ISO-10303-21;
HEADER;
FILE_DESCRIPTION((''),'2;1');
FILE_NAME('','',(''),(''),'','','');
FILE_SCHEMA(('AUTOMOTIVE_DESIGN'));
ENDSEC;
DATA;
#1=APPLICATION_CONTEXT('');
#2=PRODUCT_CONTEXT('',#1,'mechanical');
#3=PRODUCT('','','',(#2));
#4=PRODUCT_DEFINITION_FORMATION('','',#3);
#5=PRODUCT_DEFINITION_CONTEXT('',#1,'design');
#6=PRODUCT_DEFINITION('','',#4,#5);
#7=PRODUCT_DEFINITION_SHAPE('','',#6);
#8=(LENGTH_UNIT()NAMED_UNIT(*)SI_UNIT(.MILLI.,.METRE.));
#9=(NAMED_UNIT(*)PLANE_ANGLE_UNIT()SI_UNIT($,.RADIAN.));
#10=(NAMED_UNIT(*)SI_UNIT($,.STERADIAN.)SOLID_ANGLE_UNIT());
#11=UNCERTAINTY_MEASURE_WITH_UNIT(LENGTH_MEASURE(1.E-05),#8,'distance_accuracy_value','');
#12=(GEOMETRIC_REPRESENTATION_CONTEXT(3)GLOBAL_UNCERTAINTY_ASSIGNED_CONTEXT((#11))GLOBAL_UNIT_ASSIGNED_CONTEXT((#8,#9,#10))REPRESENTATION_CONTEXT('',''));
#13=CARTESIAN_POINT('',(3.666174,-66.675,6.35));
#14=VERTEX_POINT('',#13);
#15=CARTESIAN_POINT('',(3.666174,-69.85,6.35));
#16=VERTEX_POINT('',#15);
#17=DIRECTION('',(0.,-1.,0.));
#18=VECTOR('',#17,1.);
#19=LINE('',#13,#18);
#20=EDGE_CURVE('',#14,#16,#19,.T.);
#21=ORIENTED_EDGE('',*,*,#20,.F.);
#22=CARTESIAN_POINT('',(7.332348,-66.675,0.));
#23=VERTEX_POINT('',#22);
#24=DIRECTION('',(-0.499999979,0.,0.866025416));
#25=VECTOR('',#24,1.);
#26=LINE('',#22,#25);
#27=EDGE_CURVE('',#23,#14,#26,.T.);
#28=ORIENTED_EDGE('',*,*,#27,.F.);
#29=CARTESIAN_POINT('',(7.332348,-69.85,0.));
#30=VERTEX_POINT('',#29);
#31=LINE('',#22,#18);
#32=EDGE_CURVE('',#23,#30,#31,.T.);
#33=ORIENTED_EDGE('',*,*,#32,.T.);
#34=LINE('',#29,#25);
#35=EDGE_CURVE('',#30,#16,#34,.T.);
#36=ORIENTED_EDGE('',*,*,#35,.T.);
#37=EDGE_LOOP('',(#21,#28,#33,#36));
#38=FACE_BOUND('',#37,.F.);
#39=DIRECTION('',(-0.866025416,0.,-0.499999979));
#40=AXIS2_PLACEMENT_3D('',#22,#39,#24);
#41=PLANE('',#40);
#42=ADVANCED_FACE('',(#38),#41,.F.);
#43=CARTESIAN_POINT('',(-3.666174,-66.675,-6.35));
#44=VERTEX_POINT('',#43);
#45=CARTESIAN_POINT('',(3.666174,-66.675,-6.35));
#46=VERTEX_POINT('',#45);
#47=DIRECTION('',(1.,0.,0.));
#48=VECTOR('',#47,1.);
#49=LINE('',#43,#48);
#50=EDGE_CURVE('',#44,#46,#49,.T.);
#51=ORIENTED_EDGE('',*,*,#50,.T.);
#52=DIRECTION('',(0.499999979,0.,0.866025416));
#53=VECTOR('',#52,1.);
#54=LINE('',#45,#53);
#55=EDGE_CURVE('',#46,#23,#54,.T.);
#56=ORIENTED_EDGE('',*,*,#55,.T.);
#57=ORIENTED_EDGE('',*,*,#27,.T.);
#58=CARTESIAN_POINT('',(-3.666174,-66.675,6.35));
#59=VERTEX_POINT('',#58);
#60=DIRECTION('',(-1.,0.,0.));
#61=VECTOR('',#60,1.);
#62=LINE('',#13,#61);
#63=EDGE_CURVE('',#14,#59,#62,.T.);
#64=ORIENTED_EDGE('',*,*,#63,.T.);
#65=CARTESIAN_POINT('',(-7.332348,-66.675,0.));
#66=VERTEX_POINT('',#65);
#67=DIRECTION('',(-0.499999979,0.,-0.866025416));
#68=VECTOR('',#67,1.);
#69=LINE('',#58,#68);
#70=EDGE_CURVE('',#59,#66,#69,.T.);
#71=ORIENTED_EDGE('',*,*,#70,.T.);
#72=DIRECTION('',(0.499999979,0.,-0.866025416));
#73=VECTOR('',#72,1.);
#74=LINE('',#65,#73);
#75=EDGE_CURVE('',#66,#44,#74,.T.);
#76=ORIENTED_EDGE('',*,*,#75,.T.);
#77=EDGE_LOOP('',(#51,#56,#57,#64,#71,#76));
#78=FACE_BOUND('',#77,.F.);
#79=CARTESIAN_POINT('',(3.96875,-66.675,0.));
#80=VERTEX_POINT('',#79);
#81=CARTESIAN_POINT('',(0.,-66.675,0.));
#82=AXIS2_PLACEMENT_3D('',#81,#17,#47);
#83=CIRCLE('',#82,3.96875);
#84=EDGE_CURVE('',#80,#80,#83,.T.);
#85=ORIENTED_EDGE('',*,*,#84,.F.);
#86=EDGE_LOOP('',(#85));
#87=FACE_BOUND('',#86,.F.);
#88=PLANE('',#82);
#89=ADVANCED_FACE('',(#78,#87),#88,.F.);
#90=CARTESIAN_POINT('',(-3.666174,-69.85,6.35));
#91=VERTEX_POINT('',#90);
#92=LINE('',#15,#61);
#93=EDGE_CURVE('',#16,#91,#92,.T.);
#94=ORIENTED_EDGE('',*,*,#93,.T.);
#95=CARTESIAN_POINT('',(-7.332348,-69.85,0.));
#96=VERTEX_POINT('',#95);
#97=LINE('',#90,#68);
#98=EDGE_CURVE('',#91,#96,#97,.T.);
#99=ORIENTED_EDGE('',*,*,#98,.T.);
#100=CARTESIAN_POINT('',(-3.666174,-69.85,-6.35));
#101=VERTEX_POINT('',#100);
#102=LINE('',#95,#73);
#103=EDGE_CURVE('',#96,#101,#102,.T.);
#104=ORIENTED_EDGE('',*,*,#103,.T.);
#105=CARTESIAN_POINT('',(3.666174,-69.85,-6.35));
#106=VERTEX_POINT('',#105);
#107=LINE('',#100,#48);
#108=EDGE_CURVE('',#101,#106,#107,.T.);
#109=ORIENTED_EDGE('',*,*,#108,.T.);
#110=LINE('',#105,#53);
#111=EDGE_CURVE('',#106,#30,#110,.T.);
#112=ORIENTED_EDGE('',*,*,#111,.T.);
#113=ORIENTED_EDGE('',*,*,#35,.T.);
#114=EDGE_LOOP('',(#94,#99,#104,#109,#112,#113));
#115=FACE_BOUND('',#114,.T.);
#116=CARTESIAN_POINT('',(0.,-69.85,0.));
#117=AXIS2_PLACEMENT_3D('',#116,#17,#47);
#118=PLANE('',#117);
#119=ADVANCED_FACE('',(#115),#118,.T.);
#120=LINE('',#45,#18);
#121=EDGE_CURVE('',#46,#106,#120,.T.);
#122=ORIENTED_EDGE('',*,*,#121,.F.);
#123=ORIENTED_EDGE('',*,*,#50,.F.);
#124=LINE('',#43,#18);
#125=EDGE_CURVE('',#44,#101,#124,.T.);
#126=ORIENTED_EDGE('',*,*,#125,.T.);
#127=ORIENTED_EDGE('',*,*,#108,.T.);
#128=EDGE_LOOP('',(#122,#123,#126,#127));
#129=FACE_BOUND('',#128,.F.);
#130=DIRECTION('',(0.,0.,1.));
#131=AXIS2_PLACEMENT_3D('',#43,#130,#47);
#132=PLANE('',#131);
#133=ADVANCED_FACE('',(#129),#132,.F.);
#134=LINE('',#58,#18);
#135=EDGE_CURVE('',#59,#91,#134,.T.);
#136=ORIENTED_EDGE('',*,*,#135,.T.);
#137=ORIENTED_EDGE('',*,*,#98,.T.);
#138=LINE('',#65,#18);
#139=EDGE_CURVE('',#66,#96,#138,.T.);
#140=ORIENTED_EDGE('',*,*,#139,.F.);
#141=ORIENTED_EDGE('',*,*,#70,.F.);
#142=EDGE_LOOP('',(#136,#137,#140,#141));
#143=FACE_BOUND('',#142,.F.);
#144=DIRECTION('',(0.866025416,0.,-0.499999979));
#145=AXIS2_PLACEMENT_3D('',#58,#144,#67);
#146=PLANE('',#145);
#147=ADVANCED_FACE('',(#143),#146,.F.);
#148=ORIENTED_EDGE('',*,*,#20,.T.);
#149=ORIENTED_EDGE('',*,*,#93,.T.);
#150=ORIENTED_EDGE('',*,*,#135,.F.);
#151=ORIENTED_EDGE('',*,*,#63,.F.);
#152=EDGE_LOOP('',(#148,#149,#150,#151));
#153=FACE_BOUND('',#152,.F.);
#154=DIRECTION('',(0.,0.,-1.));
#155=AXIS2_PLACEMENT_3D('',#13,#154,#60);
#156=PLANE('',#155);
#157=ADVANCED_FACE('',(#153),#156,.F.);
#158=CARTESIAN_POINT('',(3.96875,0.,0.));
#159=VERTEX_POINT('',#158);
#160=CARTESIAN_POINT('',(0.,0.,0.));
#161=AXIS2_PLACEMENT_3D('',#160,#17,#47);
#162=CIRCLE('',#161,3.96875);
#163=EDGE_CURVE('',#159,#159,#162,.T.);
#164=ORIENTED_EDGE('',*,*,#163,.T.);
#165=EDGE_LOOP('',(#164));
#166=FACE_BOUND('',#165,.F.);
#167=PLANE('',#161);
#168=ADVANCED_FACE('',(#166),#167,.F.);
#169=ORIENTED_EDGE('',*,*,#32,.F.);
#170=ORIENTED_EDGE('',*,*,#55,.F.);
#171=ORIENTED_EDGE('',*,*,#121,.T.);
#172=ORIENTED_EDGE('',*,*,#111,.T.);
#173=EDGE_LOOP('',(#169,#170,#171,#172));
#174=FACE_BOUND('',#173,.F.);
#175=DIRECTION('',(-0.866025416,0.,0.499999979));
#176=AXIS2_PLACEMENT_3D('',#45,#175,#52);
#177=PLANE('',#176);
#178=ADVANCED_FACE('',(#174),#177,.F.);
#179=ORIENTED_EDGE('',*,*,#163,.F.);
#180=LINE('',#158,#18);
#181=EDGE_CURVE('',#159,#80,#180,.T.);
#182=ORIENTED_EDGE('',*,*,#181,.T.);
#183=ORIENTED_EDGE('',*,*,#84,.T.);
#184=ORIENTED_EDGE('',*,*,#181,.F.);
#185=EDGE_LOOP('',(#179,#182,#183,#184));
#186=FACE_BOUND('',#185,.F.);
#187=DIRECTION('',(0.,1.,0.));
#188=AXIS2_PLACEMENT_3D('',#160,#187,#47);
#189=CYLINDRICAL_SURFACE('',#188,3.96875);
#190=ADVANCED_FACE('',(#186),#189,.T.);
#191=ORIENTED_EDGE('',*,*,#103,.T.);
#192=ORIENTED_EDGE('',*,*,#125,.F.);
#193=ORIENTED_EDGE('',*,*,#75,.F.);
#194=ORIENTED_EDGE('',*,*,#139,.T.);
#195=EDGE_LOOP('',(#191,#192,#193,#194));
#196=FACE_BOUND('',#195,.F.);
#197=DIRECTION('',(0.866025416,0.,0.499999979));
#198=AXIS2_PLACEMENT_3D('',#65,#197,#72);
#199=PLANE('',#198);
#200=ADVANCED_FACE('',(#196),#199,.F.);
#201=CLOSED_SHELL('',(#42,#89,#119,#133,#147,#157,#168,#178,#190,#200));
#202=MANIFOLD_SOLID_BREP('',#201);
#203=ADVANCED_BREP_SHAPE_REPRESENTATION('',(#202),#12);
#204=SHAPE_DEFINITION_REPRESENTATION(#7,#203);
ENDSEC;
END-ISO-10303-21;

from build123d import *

# Parameters (mm, degrees)
F0_R     = 3.96875
F1_DEPTH = 66.675
F2_R     = 3.96875
F3_DEPTH = 3.175


with BuildPart() as f1:
    # F0 (on Front) → F1 (new body)
    with BuildSketch(Plane.XZ):
        Circle(F0_R)
    extrude(amount=F1_DEPTH)

    # F2 (on face) → F3 (join)
    with BuildSketch(Plane.XZ.offset(66.675)):
        Polygon((3.666174, 6.35), (-3.666174, 6.35), (-7.332348, 0), (-3.666174, -6.35), (3.666174, -6.35), (7.332348, 0), align=None)
        Circle(F2_R, mode=Mode.SUBTRACT)
        Circle(F2_R)
    extrude(amount=F3_DEPTH)


solid = f1.part
